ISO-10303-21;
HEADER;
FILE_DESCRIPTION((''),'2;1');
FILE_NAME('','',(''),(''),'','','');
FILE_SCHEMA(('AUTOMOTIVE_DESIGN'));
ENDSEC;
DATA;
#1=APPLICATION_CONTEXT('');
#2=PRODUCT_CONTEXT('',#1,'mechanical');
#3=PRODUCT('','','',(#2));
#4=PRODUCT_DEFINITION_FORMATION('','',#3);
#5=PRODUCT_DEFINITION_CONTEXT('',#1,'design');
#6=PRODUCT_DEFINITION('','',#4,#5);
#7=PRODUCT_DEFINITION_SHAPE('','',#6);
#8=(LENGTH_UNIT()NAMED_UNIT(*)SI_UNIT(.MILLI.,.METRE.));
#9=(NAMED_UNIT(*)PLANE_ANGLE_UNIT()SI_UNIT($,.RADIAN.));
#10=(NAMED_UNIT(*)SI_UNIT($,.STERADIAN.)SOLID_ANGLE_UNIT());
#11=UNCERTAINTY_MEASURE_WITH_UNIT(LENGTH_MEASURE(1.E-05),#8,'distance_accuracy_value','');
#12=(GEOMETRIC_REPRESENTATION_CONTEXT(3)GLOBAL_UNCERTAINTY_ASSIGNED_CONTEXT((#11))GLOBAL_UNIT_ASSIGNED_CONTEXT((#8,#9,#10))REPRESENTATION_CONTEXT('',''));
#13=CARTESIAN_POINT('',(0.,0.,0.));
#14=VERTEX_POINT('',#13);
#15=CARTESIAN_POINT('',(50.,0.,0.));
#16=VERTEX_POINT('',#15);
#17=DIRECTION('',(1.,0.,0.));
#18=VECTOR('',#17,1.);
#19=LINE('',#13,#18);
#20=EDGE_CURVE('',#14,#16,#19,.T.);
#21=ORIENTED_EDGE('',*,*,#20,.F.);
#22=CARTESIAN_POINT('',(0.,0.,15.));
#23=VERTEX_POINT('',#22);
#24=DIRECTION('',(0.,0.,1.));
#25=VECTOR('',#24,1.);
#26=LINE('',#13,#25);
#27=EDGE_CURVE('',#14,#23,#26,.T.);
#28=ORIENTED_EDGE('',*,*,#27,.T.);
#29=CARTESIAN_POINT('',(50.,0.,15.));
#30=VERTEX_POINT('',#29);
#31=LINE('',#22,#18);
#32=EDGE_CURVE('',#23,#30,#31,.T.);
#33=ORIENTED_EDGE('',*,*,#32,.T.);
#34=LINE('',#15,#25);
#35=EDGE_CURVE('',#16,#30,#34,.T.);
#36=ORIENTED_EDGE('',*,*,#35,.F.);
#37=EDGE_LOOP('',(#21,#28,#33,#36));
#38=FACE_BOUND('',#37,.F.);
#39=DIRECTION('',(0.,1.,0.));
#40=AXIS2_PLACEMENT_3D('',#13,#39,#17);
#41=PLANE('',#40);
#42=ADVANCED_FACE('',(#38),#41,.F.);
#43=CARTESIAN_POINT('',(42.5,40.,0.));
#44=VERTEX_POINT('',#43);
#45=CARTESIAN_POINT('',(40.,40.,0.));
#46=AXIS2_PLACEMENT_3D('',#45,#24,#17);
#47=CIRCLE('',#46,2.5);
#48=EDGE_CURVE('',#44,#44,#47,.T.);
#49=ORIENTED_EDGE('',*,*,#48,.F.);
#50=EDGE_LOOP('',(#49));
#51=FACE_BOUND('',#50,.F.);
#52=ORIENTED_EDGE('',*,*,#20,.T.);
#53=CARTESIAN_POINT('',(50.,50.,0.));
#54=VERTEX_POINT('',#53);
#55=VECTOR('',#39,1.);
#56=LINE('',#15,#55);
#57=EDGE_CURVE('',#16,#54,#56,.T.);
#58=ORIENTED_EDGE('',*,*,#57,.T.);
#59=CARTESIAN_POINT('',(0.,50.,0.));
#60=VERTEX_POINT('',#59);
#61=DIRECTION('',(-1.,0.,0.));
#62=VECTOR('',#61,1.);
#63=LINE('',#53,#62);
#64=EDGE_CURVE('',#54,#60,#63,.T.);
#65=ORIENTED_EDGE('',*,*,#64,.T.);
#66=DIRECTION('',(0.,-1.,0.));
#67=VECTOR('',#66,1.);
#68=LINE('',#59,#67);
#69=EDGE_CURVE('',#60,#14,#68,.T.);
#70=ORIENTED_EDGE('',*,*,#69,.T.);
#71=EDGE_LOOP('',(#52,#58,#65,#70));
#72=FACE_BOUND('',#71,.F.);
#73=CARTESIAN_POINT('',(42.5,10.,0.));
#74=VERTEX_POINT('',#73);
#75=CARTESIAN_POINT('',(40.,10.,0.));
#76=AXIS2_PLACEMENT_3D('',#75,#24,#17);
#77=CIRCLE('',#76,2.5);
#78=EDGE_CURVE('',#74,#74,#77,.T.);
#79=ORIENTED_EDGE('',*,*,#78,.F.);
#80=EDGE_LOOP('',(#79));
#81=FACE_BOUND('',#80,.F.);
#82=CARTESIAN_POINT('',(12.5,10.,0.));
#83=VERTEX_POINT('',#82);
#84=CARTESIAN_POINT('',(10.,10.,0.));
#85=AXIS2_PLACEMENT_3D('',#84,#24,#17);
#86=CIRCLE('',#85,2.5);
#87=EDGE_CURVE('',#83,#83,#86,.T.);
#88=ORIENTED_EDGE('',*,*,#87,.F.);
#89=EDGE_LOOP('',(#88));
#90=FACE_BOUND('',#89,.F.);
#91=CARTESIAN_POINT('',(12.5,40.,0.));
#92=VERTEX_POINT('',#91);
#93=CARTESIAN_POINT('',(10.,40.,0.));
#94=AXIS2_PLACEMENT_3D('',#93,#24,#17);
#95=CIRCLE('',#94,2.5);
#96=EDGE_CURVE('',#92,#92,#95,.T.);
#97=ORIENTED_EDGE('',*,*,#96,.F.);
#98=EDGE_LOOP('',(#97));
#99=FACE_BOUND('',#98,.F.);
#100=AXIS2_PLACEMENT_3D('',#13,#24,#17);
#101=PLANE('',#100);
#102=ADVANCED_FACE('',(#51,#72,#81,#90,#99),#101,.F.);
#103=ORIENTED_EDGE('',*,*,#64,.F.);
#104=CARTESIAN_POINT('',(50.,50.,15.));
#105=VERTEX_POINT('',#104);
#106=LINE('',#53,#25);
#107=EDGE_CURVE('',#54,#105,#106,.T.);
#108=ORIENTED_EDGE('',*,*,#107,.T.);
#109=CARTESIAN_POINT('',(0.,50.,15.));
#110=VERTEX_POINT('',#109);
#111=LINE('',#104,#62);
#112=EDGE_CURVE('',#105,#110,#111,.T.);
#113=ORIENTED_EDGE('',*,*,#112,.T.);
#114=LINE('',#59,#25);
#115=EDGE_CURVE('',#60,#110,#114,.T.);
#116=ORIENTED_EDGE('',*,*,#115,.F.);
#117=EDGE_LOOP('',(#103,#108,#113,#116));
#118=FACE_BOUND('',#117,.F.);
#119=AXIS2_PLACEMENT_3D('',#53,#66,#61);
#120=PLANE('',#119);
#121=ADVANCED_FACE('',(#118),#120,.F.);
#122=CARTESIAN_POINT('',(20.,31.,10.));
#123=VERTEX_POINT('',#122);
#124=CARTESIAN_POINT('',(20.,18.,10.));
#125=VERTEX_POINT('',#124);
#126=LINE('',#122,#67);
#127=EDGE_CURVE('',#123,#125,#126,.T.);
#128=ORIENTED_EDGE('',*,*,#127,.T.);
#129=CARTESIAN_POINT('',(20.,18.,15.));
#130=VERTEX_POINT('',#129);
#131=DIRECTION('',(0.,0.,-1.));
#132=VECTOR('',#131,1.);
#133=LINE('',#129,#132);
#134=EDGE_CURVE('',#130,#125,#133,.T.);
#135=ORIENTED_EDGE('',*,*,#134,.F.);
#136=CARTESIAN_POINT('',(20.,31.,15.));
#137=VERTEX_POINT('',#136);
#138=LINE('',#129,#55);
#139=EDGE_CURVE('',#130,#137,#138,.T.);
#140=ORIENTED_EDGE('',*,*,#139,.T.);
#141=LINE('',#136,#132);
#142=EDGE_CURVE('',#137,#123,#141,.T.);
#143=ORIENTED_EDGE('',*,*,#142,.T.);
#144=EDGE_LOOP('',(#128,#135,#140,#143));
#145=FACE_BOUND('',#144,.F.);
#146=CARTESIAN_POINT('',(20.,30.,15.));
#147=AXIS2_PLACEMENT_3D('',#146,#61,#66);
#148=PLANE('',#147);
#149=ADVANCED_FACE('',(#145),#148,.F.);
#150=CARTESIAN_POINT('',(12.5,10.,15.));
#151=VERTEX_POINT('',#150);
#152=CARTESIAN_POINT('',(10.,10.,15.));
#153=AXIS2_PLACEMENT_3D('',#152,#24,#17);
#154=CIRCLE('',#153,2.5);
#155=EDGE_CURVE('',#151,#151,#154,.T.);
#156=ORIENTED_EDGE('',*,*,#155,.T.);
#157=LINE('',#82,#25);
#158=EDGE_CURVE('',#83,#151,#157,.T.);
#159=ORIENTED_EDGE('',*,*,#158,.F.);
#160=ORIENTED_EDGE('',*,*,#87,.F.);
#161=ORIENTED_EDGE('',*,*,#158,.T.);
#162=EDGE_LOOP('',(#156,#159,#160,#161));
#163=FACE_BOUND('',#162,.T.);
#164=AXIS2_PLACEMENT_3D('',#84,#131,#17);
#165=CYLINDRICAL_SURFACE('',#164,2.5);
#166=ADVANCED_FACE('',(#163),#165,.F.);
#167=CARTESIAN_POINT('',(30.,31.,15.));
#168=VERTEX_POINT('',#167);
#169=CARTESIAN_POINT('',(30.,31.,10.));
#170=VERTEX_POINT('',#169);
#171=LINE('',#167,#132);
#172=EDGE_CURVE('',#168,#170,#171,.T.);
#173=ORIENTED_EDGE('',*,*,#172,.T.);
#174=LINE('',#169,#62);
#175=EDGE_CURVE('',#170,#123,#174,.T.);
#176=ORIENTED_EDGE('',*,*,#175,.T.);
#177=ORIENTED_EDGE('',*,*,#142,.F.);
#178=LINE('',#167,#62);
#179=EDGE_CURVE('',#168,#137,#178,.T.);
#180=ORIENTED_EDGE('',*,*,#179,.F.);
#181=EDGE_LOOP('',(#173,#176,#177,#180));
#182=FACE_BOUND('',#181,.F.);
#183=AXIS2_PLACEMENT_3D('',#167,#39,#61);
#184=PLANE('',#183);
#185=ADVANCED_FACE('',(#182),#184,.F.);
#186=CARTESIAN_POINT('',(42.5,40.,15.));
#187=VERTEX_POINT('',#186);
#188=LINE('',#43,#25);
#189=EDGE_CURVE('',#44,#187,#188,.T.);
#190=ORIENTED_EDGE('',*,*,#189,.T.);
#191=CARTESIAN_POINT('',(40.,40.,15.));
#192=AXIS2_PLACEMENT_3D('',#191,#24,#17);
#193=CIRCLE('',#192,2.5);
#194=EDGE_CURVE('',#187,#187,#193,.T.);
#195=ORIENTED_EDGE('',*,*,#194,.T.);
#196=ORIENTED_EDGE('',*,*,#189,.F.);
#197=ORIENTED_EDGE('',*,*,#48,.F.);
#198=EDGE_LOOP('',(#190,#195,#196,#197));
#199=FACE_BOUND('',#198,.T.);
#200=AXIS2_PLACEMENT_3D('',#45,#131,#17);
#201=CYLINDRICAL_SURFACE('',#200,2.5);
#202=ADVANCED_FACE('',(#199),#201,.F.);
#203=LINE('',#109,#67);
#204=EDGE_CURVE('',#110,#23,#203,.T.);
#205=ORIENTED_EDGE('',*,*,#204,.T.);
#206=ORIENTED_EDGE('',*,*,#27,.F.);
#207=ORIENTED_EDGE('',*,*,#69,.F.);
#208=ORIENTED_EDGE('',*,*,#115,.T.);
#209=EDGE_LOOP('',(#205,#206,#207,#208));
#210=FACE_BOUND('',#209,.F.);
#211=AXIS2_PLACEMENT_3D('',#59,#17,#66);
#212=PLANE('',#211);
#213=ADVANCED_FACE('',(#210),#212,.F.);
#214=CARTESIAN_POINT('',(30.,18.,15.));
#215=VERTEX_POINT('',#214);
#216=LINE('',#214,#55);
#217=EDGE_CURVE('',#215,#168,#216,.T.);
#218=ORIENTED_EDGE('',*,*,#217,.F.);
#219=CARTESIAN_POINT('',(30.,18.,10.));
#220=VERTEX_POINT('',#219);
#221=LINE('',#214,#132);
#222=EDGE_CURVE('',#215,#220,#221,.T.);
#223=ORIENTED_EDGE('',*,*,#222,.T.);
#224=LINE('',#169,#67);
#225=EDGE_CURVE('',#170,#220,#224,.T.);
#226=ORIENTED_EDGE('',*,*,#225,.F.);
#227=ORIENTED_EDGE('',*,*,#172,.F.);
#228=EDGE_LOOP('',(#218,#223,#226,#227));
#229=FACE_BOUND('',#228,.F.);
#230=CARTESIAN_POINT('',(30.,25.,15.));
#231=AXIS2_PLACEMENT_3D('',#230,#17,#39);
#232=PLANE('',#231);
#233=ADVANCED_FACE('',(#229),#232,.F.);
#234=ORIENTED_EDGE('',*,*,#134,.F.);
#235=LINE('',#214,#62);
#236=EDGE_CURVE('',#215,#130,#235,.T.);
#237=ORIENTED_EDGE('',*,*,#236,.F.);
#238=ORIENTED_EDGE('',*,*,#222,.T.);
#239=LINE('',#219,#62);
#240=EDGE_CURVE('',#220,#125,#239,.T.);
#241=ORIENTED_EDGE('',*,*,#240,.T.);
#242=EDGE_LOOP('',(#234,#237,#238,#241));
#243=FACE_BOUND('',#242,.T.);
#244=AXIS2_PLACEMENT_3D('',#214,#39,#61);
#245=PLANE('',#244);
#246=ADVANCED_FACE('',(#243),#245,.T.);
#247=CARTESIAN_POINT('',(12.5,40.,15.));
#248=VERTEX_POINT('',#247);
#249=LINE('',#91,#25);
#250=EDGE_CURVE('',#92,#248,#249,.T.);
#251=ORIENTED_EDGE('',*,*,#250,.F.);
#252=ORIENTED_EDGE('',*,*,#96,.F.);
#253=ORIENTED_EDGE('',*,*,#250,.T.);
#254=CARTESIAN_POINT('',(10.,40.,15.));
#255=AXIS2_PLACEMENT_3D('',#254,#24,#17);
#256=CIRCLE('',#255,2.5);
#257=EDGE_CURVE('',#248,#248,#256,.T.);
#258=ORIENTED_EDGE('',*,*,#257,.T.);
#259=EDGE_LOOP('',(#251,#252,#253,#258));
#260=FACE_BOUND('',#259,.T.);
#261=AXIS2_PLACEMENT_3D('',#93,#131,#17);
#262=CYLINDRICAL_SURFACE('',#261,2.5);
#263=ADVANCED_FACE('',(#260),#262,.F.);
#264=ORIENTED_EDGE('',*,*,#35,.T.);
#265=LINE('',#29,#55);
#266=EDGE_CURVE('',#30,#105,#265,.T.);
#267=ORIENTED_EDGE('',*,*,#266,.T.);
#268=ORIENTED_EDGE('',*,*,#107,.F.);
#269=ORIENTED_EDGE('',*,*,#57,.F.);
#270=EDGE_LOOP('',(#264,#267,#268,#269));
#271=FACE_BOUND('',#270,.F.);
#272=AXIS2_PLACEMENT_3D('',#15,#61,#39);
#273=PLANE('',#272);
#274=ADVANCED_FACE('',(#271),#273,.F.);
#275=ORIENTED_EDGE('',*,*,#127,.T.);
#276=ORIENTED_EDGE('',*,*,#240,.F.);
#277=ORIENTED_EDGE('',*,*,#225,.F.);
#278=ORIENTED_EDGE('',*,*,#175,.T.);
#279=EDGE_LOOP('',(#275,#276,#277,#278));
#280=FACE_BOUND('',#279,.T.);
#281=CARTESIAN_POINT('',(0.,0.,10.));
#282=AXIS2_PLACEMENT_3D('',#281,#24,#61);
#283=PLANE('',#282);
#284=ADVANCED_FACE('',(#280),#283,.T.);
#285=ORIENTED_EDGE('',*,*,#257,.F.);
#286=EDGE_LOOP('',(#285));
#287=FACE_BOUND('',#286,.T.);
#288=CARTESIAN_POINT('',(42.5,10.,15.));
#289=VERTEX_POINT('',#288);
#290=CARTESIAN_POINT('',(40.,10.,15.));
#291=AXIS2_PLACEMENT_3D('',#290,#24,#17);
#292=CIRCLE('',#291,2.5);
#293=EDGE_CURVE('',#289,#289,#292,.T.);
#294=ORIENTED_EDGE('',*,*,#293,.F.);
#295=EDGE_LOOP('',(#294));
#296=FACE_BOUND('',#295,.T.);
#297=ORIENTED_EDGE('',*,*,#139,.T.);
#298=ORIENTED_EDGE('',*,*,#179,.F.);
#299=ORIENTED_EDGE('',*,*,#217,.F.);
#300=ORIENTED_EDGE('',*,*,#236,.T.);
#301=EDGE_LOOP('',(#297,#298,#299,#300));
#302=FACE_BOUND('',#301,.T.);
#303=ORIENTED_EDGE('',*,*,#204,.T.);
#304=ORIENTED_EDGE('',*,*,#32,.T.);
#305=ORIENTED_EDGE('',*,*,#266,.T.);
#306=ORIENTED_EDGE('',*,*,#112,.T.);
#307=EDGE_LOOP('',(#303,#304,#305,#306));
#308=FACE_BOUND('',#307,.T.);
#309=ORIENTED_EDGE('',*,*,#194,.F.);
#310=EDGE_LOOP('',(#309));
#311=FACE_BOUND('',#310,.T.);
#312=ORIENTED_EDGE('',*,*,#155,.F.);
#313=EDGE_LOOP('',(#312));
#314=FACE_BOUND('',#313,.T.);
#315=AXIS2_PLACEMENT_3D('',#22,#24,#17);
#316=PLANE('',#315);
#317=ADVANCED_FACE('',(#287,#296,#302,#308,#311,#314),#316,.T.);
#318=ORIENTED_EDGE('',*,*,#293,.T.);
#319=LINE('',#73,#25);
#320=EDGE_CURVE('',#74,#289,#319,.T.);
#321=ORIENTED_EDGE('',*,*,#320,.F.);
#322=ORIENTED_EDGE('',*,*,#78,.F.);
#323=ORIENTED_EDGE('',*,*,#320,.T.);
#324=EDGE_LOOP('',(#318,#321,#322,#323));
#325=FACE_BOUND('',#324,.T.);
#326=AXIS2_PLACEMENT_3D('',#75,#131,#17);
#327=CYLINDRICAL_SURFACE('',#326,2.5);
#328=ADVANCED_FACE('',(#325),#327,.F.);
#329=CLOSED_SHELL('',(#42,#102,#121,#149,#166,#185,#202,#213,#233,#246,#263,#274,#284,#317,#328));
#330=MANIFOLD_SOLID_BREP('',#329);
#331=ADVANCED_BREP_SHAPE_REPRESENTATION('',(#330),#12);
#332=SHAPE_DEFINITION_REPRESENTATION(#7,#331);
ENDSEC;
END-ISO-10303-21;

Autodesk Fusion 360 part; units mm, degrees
sketch "Esquisse1" plane through (0, 0, 0) normal (0, 0, 1) x (1, 0, 0)
  line L0 (0, 0) -> (50, 0)
  line L1 (50, 0) -> (50, 50)
  line L2 (50, 50) -> (0, 50)
  line L3 (0, 50) -> (0, 0)
  circle A0 centre (10, 40) radius 2.5
  circle A1 centre (40, 40) radius 2.5
  circle A2 centre (10, 10) radius 2.5
  circle A3 centre (40, 10) radius 2.5
  dimension "d1" = 5
  dimension "d2" = 5
  dimension "d3" = 5
  dimension "d4" = 5
extrude "Extrusion1" add sketch "Esquisse1" along normal blind 15
sketch "Esquisse2" plane through (0, 0, 15) normal (0, 0, 1) x (-1, 0, 0)
  circle A0 centre (-10, -40) radius 2.5
  circle A1 centre (-10, -10) radius 2.5
  circle A2 centre (-40, -10) radius 2.5
  circle A3 centre (-40, -40) radius 2.5
  line L0 (0, -50) -> (0, 0)
  line L1 (0, 0) -> (-50, 0)
  line L2 (-50, 0) -> (-50, -50)
  line L3 (-50, -50) -> (0, -50)
  line L4 (0, -25) -> (-20, -25)
  line L5 (-20, -25) -> (-30, -25)
  line L6 (-30, -25) -> (-30, -30)
  line L7 (-30, -30) -> (-20, -30)
  line L8 (-20, -30) -> (-20, -20)
  line L9 (-20, -20) -> (-30, -20)
  line L10 (-30, -20) -> (-30, -25)
  line L11 (-30, -20) -> (-30, -18)
  line L12 (-30, -18) -> (-20, -18)
  line L13 (-20, -18) -> (-20, -20)
  line L14 (-30, -30) -> (-30, -31)
  line L15 (-30, -31) -> (-20, -31)
  line L16 (-20, -31) -> (-20, -30)
  dimension "d7" = 2
  dimension "d8" = 1
extrude "Extrusion2" cut sketch "Esquisse2" against normal blind 5 contours L5 L6 L7 L8 | L5 L8 L9 L10 | L7 L14 L15 L16 | L9 L11 L12 L13
